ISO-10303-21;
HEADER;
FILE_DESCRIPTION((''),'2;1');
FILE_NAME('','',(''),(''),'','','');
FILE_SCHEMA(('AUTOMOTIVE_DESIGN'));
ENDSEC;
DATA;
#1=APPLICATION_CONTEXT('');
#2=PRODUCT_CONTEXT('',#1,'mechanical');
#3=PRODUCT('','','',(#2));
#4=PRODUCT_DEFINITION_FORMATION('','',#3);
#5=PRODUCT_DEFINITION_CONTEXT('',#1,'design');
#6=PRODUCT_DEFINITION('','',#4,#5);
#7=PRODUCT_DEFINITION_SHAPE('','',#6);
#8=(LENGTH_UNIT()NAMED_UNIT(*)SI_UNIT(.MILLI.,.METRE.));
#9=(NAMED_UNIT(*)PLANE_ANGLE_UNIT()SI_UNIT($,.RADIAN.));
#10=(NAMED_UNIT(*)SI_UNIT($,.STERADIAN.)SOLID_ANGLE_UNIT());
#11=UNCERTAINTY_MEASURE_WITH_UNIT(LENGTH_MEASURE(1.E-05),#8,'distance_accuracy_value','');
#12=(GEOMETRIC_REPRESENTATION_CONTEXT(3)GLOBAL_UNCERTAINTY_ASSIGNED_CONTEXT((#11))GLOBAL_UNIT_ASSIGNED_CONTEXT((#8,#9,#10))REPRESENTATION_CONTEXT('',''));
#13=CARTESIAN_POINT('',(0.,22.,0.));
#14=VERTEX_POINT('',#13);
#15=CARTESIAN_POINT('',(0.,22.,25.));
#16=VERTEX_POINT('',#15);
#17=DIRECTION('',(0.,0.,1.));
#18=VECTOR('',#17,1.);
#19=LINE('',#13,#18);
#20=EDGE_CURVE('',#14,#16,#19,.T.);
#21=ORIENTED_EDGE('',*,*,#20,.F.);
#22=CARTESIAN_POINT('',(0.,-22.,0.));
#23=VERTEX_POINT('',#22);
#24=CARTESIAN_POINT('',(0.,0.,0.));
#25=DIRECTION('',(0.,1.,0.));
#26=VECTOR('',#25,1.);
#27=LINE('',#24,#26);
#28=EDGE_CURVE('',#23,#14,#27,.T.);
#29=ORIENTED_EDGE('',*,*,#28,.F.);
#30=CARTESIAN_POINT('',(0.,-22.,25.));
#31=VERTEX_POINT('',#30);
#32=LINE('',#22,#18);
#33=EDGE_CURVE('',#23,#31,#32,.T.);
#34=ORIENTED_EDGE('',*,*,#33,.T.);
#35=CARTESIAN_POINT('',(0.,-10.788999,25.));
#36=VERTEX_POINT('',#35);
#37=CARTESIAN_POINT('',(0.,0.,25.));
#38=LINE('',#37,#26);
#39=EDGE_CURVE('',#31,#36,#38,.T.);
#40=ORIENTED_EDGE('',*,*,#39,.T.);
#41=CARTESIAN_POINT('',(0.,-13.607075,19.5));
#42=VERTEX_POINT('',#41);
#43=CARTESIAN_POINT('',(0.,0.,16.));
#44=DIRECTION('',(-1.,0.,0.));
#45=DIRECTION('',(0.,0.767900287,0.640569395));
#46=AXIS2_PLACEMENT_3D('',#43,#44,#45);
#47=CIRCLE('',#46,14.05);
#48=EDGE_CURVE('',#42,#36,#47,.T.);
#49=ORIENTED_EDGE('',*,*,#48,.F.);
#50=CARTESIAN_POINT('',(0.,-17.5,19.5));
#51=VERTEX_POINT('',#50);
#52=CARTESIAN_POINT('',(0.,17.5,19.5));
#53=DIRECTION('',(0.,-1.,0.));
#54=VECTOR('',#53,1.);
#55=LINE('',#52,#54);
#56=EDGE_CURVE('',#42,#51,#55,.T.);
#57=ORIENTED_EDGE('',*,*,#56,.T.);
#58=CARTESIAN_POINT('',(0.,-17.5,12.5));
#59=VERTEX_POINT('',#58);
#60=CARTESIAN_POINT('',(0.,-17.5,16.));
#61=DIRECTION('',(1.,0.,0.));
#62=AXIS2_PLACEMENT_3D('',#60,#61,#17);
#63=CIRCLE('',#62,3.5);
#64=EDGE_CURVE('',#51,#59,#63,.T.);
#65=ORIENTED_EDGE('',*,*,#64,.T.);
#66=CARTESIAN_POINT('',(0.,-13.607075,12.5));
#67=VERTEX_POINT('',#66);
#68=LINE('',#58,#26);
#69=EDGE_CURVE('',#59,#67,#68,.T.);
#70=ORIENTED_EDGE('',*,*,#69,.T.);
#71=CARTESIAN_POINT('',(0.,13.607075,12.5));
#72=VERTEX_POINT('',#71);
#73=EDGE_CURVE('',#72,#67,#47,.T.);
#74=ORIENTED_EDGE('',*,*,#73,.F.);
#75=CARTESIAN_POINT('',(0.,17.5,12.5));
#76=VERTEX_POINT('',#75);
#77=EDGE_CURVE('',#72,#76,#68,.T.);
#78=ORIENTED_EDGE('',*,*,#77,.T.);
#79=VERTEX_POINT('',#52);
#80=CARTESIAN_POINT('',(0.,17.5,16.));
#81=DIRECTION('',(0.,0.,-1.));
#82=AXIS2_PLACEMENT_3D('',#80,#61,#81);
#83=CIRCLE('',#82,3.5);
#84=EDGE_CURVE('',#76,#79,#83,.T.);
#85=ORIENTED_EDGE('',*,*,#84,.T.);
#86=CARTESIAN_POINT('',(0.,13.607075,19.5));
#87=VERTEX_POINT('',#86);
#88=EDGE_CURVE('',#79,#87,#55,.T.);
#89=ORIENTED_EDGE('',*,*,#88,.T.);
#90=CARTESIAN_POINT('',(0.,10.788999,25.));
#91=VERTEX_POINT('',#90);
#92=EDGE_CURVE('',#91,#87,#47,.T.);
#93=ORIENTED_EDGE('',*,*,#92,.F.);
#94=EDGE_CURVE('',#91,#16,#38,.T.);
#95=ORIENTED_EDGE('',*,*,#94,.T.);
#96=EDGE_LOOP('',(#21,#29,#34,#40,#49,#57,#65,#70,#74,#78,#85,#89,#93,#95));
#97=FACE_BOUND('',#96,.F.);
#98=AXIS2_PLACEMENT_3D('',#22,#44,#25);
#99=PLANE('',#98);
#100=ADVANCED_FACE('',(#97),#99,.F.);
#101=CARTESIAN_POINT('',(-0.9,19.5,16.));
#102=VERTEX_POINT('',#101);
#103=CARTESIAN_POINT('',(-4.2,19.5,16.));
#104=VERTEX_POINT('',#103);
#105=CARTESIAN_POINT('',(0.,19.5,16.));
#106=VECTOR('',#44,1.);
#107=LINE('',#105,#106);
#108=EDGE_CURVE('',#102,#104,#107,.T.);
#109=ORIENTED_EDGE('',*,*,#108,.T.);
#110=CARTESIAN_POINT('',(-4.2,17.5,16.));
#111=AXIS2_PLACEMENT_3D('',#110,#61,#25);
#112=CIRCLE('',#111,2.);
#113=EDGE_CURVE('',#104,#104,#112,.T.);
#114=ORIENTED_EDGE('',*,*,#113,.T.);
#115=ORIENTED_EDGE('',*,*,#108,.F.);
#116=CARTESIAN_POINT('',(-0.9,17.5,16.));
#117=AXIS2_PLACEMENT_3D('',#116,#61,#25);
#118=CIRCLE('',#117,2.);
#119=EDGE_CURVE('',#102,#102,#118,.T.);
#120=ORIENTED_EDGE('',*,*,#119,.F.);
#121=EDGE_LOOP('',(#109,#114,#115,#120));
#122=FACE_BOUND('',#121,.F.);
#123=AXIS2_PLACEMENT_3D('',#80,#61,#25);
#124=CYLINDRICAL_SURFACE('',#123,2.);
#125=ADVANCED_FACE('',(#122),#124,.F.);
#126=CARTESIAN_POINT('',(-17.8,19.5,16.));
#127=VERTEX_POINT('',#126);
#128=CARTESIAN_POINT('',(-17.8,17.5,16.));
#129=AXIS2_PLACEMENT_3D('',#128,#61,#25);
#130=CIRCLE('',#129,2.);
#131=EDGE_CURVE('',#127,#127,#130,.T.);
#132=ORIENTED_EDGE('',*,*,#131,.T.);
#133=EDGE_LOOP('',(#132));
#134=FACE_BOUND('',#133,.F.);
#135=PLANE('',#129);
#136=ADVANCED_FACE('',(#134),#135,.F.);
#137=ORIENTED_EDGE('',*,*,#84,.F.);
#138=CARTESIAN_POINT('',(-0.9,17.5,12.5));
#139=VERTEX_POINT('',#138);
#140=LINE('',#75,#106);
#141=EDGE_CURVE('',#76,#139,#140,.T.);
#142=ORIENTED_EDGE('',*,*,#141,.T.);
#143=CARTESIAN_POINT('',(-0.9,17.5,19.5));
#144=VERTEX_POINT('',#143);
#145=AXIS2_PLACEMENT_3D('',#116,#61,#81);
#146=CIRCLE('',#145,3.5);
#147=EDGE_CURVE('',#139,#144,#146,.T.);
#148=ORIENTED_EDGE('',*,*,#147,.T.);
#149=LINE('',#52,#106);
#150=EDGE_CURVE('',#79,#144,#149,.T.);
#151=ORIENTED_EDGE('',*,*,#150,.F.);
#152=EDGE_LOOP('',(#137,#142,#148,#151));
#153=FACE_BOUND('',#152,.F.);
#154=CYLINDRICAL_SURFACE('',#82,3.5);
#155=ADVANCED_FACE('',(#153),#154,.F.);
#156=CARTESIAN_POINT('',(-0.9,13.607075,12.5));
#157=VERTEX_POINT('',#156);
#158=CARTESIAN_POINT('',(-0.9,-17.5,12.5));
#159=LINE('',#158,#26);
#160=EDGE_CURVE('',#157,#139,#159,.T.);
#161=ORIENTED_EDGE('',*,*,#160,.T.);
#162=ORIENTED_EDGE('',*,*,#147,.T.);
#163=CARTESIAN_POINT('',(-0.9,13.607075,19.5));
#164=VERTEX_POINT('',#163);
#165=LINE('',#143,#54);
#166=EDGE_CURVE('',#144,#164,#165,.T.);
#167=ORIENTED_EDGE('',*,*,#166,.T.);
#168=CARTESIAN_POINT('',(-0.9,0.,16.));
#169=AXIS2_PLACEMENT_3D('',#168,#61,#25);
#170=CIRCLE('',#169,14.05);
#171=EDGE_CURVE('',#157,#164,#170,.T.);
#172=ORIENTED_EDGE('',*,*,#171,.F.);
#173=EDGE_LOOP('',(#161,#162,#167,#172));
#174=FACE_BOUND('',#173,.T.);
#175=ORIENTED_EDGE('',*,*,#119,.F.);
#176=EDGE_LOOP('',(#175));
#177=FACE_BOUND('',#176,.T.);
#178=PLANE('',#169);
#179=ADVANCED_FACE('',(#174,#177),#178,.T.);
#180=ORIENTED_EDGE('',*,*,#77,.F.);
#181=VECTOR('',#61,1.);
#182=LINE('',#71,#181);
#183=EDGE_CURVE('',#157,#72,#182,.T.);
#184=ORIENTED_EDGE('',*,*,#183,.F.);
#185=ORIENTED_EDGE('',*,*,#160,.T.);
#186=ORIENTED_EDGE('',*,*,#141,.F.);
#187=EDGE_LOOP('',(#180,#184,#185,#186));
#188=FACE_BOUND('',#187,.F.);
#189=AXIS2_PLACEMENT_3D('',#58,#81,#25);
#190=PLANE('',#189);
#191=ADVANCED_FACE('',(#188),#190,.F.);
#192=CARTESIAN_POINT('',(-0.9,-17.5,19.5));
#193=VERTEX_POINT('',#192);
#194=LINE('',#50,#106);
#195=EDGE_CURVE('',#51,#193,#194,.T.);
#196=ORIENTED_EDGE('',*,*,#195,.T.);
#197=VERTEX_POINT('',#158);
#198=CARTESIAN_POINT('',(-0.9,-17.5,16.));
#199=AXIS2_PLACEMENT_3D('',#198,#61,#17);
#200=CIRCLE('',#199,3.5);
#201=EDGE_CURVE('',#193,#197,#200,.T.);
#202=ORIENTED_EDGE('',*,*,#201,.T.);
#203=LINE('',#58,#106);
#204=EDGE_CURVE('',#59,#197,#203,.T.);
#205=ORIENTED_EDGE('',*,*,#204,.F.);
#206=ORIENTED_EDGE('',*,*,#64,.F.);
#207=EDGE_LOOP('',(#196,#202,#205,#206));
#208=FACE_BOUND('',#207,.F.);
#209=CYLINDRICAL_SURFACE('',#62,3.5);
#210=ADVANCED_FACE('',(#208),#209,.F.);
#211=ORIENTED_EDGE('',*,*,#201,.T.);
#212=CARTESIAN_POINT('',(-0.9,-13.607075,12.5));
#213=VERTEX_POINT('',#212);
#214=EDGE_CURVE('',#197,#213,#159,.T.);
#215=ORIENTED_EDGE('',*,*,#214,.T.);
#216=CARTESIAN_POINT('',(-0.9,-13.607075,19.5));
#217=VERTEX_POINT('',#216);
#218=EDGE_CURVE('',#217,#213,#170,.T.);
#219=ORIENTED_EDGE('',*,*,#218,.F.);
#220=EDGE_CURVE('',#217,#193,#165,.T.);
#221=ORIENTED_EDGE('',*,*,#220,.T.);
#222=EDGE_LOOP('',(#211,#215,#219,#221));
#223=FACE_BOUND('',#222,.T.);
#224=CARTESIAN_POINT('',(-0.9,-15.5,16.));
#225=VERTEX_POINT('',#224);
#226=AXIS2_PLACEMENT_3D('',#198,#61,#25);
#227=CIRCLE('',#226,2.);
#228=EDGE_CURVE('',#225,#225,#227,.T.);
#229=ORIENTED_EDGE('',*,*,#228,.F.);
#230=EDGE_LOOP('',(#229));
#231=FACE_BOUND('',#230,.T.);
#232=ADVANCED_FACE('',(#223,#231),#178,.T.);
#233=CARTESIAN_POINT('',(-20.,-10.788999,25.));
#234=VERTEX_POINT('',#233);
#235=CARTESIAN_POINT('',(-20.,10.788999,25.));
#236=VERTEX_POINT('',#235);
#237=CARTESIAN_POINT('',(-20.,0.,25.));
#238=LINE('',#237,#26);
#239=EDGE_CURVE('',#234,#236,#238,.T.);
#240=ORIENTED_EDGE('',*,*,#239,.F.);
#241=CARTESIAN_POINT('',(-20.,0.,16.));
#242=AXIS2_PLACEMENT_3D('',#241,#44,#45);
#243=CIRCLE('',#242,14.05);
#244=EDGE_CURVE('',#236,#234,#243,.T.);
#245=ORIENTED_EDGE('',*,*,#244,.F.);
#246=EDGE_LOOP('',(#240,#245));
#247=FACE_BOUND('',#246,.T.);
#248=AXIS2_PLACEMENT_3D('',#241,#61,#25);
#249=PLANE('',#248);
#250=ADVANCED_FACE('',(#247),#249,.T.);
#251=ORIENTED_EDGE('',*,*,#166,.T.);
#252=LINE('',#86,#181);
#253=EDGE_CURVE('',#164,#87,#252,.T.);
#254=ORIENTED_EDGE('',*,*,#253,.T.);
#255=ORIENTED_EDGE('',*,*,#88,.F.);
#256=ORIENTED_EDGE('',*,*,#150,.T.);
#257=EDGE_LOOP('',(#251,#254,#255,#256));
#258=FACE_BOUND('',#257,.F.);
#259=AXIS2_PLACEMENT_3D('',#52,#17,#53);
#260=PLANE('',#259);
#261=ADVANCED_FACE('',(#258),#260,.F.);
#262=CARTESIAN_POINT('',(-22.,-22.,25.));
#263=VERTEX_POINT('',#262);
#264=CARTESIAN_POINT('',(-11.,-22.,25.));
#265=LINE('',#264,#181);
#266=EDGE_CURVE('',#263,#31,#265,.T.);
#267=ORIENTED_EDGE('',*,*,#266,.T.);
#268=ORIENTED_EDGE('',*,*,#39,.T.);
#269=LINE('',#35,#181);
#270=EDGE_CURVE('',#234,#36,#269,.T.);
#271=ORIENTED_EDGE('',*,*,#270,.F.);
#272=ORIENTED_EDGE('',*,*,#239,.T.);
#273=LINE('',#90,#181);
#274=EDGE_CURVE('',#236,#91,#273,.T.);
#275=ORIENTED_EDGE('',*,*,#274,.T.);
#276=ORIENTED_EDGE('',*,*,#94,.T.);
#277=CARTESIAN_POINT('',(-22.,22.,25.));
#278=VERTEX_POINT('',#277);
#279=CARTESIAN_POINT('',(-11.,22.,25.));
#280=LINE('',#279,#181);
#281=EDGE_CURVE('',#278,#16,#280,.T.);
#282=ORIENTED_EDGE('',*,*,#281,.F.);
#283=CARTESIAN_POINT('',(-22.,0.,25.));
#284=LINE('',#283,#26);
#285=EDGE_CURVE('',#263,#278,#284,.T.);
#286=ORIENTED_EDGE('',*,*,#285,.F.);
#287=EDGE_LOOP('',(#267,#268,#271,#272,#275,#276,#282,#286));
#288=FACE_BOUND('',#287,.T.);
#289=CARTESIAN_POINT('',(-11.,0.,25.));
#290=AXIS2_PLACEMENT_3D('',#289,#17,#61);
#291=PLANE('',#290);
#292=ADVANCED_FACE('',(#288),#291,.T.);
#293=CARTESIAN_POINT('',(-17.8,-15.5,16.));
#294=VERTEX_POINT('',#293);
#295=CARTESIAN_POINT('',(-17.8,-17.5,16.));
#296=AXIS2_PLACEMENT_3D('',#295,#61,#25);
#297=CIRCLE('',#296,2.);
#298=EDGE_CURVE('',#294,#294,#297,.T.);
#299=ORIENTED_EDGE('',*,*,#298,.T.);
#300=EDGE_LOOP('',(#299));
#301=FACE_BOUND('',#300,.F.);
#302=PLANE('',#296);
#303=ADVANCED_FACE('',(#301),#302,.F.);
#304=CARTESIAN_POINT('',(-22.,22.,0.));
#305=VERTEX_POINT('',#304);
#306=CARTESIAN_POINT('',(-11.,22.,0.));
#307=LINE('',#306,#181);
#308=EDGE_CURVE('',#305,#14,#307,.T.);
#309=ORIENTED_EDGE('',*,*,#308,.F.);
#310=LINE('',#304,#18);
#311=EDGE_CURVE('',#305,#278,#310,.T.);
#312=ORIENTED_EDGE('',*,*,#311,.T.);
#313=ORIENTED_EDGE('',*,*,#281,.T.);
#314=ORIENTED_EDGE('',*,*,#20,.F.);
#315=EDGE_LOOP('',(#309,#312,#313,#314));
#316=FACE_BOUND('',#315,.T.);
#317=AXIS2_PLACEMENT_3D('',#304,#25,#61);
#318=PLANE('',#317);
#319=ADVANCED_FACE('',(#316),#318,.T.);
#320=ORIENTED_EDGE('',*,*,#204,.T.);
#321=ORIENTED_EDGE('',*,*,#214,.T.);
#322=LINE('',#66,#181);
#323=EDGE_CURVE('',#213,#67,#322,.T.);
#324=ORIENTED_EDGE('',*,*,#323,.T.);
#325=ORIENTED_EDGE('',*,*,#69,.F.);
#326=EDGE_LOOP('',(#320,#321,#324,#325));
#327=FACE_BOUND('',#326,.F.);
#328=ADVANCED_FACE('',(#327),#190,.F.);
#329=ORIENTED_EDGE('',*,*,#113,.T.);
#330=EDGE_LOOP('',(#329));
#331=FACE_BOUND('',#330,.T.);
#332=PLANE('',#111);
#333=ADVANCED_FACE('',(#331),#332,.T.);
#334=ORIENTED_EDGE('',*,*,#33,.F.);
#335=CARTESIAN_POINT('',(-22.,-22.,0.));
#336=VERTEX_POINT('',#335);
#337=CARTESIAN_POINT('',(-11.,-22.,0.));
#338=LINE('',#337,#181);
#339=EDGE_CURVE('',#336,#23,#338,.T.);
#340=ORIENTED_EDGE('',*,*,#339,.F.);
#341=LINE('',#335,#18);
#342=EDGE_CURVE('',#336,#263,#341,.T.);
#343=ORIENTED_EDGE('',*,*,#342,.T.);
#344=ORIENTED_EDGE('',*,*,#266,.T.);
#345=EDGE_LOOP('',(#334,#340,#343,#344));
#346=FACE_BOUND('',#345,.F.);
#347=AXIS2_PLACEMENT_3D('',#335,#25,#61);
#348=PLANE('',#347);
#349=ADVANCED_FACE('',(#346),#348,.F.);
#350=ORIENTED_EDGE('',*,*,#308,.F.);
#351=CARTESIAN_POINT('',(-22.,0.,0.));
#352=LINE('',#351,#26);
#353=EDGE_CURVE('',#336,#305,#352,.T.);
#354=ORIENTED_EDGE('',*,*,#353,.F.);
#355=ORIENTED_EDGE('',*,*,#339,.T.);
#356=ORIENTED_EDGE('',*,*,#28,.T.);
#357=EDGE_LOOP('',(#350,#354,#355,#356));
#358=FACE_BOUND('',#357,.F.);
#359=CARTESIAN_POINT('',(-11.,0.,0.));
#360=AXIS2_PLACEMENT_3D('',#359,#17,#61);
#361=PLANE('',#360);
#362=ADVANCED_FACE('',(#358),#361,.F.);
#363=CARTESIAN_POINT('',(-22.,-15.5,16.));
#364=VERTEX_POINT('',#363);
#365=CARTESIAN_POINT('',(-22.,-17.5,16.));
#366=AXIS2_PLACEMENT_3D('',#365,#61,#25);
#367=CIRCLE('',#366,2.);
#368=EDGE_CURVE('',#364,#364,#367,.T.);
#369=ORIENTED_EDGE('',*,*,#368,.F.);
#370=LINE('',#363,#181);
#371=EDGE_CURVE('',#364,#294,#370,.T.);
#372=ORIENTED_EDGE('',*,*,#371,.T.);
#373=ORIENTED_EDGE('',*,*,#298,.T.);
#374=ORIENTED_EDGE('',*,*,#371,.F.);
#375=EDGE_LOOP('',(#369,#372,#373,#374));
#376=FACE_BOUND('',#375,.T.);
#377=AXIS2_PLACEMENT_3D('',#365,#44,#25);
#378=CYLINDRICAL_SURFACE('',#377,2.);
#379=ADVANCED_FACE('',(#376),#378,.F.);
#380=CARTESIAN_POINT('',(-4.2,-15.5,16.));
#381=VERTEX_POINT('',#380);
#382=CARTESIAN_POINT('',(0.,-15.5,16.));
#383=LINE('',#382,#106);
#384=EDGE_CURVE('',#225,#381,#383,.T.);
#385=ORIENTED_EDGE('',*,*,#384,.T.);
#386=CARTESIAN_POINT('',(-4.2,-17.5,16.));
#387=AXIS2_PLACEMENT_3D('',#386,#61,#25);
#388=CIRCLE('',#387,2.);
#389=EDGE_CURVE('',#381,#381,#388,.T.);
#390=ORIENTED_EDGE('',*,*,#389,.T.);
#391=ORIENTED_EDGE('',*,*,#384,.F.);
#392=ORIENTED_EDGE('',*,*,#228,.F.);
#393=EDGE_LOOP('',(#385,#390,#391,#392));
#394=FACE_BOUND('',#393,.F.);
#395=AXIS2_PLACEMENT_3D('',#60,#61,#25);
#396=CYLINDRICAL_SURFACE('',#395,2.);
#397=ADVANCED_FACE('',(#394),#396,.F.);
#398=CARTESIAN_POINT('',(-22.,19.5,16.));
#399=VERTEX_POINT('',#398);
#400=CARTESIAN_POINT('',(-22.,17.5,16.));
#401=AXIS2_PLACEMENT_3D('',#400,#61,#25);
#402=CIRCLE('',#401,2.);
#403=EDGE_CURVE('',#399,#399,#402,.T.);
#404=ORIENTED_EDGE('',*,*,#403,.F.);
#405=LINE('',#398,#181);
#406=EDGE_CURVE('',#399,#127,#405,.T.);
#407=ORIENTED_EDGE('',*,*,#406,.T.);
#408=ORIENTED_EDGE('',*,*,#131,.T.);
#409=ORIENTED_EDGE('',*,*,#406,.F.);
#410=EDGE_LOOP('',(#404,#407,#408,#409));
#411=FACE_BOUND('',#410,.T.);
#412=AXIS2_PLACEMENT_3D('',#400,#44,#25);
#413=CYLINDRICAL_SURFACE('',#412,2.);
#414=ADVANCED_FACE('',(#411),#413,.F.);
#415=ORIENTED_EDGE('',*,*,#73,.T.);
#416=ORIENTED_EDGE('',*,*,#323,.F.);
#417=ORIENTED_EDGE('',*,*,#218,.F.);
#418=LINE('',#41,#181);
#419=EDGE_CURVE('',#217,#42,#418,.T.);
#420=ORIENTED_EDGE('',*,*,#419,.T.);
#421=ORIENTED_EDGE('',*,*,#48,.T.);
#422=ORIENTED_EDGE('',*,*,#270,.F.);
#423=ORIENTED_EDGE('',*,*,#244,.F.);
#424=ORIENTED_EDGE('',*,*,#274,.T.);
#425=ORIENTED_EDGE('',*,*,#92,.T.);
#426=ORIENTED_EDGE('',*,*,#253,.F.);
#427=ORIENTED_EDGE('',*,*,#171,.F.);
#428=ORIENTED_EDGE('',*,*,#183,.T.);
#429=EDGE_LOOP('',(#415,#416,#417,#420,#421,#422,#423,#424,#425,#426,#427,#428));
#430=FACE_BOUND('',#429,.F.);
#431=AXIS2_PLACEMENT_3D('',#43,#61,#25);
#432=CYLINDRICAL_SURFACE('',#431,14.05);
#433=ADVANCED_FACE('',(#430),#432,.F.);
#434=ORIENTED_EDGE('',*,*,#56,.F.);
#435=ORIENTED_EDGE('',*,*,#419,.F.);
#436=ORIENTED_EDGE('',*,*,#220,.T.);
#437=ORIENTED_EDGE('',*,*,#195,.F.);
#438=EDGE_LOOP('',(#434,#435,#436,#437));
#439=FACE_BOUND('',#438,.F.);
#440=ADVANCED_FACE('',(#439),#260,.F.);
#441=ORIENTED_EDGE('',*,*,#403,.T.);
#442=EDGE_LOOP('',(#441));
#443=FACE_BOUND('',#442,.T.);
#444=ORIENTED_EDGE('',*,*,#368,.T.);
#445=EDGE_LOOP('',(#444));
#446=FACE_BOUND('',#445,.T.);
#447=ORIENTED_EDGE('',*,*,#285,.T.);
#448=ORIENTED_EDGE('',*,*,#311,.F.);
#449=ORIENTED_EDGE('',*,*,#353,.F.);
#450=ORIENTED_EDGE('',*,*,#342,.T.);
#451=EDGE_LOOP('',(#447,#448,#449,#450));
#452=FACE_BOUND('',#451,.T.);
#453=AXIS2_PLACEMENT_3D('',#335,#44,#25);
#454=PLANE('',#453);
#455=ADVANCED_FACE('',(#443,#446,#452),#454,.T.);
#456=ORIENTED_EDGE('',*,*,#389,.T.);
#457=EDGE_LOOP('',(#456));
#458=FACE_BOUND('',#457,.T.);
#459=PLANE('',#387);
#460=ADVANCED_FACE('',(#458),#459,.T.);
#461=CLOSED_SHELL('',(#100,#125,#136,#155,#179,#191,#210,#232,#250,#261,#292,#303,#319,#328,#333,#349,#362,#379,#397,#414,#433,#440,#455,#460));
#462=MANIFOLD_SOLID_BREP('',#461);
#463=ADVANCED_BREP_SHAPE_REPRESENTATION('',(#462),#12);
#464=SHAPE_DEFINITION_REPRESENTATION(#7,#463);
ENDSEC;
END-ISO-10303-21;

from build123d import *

# Parameters (mm, degrees)
SKETCH_W        = 22
SKETCH_H        = 44
PAD_DEPTH       = 25
SKETCH001_R     = 14.05
POCKET_DEPTH    = 20
SKETCH002_R     = 2
POCKET001_DEPTH = 4.2
POCKET002_DEPTH = 0.9
SKETCH006_R     = 2
POCKET003_DEPTH = 4.2


with BuildPart() as part:
    # Sketch → Pad (new body)
    with BuildSketch(Plane.XY):
        with Locations((-11, 0)):
            Rectangle(SKETCH_W, SKETCH_H)
    extrude(amount=PAD_DEPTH)

    # Sketch001 → Pocket (cut)
    with BuildSketch(Plane.YZ):
        with Locations((0, 16)):
            Circle(SKETCH001_R)
    extrude(amount=-POCKET_DEPTH, mode=Mode.SUBTRACT)

    # Sketch002 → Pocket001 (cut)
    with BuildSketch(Plane.YZ):
        with Locations((-17.5, 16)):
            Circle(SKETCH002_R)
        with Locations((17.5, 16)):
            Circle(SKETCH002_R)
    extrude(amount=-POCKET001_DEPTH, mode=Mode.SUBTRACT)

    # Sketch005 → Pocket002 (cut)
    with BuildSketch(Plane.YZ):
        with BuildLine():
            ThreePointArc((-17.5, 19.5), (-21, 16), (-17.5, 12.5))
            Line((-17.5, 12.5), (17.5, 12.5))
            ThreePointArc((17.5, 12.5), (21, 16), (17.5, 19.5))
            Line((17.5, 19.5), (-17.5, 19.5))
        make_face()
    extrude(amount=-POCKET002_DEPTH, mode=Mode.SUBTRACT)

    # Sketch006 → Pocket003 (cut)
    with BuildSketch(Plane.YZ.offset(-22)):
        with Locations((-17.5, 16)):
            Circle(SKETCH006_R)
        with Locations((17.5, 16)):
            Circle(SKETCH006_R)
    extrude(amount=POCKET003_DEPTH, mode=Mode.SUBTRACT)


solid = part.part
